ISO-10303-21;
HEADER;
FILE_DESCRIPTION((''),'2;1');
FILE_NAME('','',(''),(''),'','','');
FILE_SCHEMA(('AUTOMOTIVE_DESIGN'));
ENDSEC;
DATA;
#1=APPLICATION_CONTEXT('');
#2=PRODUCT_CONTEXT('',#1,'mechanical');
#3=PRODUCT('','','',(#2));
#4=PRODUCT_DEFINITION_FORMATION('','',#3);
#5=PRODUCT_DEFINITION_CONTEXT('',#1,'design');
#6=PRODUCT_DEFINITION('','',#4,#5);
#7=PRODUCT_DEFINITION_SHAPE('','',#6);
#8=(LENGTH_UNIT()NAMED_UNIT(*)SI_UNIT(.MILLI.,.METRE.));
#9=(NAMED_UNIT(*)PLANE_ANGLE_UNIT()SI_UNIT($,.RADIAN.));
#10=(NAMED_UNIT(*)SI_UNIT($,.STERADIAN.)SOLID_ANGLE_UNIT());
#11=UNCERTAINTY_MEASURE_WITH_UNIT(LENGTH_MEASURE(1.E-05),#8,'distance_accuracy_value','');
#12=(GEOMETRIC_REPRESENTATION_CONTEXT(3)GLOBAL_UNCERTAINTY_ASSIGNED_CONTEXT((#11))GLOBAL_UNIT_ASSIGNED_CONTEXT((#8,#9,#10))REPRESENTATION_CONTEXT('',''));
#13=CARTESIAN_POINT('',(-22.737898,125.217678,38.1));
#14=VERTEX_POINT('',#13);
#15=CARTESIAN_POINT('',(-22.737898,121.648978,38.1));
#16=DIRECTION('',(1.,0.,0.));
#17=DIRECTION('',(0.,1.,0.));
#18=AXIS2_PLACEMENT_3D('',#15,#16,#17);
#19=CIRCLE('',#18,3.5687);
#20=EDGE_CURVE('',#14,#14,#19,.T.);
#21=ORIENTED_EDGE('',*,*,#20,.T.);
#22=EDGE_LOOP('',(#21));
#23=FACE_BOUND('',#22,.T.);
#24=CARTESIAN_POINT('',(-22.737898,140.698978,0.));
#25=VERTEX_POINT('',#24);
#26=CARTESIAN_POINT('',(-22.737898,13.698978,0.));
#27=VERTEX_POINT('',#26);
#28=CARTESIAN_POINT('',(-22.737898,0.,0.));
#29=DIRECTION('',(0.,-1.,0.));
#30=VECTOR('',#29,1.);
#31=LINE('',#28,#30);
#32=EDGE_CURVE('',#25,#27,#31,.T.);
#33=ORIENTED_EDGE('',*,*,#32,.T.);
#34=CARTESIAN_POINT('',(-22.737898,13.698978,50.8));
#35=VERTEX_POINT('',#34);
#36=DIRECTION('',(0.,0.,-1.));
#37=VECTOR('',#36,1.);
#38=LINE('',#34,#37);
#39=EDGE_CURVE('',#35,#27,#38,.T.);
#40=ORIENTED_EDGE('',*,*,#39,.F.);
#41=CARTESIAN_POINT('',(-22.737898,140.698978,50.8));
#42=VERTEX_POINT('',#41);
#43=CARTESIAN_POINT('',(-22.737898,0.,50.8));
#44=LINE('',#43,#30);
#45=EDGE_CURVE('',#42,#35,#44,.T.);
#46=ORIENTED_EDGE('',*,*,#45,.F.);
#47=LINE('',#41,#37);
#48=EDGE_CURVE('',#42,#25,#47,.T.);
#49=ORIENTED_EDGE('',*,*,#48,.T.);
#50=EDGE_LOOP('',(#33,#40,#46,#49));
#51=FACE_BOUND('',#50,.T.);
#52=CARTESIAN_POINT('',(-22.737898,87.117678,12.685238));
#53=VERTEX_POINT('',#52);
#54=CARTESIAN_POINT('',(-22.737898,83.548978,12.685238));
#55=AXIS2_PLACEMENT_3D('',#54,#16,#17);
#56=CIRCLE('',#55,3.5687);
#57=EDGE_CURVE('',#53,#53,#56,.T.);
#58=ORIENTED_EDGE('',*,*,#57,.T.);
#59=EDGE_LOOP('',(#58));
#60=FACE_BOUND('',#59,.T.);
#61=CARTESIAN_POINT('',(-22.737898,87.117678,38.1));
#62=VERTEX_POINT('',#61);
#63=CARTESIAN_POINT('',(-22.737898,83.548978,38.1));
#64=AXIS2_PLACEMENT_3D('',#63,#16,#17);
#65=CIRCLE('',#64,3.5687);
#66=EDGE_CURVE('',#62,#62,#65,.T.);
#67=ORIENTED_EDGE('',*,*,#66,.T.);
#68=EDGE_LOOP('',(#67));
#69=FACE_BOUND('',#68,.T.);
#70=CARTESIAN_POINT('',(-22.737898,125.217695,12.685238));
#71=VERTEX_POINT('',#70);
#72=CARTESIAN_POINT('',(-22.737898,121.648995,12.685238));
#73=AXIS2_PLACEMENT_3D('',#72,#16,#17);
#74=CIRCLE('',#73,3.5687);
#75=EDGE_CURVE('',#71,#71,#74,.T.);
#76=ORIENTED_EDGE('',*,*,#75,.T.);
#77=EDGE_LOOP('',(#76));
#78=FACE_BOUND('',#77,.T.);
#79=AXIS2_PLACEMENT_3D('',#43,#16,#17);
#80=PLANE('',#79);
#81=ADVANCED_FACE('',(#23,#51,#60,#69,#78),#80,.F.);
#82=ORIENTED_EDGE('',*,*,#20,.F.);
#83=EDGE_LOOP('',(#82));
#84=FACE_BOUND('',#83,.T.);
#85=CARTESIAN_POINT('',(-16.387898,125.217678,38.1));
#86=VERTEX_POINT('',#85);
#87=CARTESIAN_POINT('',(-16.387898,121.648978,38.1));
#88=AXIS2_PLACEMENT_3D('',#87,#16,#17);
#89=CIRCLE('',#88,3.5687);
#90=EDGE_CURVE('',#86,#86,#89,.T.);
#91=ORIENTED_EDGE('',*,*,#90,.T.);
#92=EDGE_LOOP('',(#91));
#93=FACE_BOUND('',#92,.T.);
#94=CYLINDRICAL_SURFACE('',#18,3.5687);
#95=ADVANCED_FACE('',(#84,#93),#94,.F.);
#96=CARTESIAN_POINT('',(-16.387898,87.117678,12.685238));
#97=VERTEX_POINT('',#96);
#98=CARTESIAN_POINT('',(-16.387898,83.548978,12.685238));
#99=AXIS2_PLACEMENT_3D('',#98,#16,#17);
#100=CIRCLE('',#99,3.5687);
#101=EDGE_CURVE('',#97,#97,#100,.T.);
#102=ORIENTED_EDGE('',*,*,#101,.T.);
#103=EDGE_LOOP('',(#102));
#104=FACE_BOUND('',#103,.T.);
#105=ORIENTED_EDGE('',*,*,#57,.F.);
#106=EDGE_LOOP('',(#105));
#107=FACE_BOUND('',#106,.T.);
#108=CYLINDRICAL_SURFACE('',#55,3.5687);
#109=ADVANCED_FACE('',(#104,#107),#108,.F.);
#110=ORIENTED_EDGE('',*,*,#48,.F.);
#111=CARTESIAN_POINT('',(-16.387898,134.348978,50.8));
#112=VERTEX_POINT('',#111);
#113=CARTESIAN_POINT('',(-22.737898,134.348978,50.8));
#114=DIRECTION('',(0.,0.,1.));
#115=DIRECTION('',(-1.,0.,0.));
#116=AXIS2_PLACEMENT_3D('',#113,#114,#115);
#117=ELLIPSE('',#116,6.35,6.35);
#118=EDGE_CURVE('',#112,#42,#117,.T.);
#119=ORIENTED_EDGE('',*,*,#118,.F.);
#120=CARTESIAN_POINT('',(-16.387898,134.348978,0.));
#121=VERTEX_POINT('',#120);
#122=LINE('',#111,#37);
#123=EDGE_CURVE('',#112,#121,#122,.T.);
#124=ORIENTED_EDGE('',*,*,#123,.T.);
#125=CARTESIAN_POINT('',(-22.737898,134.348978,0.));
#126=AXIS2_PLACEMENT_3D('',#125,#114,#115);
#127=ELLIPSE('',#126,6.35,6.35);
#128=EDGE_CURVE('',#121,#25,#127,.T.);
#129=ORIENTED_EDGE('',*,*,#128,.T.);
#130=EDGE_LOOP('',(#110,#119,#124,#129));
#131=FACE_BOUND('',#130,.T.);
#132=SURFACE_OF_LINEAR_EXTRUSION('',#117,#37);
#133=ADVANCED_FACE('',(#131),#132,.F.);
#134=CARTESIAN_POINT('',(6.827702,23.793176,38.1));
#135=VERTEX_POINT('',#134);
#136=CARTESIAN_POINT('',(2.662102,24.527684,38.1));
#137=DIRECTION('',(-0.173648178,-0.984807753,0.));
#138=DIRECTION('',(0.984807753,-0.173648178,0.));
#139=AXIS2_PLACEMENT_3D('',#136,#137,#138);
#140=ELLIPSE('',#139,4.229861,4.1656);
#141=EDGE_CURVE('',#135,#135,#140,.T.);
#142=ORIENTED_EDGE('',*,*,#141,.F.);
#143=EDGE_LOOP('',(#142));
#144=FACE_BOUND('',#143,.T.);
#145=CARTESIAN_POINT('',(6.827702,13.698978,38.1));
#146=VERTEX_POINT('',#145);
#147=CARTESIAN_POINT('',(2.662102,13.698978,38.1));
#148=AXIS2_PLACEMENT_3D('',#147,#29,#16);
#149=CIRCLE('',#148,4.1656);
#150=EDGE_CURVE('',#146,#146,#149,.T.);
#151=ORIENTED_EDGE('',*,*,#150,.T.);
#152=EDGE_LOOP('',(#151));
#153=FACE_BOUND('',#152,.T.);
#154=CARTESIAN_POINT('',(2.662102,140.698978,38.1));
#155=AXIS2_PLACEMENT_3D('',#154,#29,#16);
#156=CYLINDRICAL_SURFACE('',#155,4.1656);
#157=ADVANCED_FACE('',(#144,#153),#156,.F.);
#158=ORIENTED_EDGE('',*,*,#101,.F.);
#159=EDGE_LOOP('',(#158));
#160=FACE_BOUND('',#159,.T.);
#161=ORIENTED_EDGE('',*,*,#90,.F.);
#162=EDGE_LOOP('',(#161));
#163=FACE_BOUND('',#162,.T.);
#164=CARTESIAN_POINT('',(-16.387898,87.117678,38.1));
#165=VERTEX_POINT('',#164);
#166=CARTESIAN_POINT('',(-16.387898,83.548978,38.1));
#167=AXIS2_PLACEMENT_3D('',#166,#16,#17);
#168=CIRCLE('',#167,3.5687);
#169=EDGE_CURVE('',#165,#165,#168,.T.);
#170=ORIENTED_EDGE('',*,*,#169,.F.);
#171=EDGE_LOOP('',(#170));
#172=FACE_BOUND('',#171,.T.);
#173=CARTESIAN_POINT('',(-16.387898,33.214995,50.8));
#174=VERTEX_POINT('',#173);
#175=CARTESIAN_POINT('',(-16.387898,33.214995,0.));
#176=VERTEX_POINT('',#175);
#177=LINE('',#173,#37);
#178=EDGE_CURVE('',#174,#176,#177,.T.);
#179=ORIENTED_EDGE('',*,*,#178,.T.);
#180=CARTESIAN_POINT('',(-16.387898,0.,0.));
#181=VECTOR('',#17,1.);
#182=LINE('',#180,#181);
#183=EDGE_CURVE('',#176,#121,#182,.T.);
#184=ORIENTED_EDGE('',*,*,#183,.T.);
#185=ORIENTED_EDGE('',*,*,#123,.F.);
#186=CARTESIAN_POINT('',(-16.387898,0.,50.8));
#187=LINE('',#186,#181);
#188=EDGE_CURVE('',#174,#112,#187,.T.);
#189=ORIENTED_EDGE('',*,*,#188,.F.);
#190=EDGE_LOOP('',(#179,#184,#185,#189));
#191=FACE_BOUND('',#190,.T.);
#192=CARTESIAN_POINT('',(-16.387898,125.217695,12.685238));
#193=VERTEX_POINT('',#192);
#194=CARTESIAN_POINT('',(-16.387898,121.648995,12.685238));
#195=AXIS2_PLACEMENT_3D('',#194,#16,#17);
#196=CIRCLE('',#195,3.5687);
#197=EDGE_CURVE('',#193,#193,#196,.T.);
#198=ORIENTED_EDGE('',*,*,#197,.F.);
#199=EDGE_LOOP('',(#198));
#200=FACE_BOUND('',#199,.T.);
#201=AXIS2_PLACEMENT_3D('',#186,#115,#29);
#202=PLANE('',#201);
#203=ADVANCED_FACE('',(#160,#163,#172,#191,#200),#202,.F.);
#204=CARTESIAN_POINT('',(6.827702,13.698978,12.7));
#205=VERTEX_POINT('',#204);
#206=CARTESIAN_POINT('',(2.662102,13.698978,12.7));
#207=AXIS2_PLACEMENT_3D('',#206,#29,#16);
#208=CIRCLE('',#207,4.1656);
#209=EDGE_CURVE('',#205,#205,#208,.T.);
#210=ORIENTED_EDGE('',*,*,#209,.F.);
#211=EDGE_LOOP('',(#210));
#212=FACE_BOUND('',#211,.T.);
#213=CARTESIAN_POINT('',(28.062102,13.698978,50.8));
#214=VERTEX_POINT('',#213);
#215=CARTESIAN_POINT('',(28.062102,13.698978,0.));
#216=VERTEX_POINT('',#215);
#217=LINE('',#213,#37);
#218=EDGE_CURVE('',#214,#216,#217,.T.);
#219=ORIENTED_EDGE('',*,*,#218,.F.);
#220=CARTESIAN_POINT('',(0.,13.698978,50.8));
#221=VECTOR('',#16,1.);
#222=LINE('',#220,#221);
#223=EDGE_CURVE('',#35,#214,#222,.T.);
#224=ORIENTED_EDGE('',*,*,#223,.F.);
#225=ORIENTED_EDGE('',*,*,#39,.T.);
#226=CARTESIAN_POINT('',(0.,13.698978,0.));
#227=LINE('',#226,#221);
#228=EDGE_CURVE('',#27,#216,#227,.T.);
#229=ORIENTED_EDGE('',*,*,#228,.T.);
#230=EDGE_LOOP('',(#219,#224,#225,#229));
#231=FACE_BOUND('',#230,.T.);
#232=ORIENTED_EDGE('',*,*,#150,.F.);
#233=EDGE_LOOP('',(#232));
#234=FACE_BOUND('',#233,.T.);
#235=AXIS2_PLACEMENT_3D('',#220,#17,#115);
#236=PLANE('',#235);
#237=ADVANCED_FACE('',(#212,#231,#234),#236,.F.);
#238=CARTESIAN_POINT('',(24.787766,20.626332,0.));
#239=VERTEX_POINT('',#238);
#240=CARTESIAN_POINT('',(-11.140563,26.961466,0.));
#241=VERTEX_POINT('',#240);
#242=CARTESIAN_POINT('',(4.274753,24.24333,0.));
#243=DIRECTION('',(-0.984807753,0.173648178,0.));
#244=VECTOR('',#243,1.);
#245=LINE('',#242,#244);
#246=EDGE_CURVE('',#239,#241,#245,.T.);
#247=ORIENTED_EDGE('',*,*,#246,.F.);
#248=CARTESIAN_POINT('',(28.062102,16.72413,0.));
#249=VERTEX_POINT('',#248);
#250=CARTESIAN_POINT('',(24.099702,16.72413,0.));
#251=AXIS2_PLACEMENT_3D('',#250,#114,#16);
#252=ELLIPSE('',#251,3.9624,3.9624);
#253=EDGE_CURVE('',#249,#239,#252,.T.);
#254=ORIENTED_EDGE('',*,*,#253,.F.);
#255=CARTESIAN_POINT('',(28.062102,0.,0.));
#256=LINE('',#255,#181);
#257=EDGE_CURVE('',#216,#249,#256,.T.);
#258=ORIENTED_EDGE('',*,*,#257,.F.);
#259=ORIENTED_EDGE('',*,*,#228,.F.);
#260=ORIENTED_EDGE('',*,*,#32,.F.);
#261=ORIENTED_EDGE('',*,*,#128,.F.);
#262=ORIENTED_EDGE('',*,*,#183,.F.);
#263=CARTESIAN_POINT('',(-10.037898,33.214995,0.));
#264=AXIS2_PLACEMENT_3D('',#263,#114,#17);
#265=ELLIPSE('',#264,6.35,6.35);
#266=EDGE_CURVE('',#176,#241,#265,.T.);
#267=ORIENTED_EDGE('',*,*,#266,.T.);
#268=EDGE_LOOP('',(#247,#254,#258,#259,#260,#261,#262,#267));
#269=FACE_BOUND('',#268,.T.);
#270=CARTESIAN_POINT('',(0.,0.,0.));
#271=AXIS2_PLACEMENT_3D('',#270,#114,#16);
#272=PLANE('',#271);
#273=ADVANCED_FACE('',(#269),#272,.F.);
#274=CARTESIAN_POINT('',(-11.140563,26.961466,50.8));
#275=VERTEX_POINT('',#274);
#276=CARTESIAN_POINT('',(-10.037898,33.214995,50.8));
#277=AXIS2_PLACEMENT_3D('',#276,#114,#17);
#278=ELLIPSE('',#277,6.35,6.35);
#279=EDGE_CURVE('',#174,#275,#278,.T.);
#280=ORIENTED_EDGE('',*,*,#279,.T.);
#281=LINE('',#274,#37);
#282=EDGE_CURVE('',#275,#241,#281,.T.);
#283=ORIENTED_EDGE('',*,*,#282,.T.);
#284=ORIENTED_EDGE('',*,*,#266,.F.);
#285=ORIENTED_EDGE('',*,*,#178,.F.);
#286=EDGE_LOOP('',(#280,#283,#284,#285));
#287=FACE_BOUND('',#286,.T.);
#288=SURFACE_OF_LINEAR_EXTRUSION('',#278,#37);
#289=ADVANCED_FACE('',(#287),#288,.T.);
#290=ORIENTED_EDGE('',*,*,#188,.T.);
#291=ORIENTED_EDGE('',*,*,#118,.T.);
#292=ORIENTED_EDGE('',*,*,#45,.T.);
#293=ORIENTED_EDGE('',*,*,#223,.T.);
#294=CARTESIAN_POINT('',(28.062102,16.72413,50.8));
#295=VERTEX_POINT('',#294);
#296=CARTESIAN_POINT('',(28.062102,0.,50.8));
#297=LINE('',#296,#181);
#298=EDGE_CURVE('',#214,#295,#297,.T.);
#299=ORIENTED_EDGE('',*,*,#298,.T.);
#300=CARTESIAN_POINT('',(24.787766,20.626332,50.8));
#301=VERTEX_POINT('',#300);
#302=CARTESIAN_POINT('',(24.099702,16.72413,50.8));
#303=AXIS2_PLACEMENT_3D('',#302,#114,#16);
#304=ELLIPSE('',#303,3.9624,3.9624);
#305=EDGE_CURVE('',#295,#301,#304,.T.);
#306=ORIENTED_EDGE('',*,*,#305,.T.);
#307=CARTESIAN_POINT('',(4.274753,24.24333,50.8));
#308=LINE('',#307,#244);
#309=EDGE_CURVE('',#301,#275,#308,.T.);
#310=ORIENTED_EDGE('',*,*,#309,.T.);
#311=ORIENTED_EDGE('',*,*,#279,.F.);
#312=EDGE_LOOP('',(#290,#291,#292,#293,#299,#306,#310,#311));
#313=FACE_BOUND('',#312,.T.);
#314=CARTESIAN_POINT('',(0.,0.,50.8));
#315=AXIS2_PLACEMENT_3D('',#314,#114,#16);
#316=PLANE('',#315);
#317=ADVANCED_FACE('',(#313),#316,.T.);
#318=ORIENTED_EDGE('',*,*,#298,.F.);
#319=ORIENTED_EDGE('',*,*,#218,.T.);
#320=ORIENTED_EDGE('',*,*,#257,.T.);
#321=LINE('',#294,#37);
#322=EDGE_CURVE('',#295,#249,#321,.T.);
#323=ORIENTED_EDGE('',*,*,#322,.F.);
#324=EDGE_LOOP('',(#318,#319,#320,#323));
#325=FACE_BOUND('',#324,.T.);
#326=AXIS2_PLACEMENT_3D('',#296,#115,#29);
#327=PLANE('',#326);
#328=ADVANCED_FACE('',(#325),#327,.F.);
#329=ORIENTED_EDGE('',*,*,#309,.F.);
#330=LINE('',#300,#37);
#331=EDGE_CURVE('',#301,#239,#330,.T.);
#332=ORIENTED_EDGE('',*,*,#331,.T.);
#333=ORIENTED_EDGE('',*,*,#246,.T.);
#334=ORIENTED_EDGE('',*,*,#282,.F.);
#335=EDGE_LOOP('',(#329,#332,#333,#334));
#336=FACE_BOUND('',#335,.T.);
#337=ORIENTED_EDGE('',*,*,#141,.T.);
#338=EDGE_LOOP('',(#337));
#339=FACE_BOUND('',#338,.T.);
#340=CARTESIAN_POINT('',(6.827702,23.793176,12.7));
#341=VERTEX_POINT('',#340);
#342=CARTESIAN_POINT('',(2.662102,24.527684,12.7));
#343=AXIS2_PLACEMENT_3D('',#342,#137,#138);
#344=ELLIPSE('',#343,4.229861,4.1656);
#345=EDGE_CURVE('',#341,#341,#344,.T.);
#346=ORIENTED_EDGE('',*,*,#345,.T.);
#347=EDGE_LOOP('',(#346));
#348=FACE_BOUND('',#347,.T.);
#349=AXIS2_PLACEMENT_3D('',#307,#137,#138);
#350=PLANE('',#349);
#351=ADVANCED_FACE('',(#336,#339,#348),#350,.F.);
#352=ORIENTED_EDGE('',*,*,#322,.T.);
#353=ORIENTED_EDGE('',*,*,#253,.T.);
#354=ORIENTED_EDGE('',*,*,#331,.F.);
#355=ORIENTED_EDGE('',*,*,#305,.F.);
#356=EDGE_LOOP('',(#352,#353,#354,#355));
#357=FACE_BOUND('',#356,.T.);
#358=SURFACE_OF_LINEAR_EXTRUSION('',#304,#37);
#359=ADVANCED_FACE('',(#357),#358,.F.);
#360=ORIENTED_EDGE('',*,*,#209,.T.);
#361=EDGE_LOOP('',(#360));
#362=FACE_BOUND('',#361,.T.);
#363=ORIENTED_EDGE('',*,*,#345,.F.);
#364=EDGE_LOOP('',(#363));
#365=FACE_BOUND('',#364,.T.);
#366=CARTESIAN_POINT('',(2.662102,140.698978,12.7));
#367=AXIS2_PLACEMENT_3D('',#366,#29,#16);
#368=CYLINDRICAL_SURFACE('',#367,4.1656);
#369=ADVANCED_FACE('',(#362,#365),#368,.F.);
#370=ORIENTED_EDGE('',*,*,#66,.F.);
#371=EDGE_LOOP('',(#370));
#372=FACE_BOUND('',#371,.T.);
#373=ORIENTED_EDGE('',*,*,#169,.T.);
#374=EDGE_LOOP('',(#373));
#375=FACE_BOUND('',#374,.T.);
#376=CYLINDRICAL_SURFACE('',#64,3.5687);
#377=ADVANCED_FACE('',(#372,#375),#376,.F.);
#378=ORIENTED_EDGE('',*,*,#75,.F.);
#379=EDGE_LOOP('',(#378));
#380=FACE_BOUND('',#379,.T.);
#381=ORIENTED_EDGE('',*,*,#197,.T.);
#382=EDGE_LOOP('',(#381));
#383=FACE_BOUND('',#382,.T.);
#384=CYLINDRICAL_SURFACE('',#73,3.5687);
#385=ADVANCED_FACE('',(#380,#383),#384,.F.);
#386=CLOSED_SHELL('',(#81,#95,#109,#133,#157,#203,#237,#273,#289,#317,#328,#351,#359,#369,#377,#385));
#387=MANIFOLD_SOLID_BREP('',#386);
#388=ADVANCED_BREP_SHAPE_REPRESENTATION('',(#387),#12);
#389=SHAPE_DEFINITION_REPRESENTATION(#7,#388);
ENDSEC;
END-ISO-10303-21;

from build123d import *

# Parameters (mm, degrees)
EXTRUDE1_DEPTH     = 50.8
SKETCH2_R          = 3.5687
CUT_EXTRUDE1_DEPTH = 7.3500001
SKETCH3_R          = 4.1656
CUT_EXTRUDE2_DEPTH = 128.0000001


with BuildPart() as part:
    # Sketch1 → Extrude1 (new body)
    with BuildSketch(Plane.XY):
        with BuildLine():
            Line((24.787766027, 20.626332144), (6.630852488, 23.827885887))
            Line((6.630852488, 23.827885887), (-1.306647512, 25.227481296))
            Line((-1.306647512, 25.227481296), (-11.14056344, 26.961466))
            add(Edge.make_bspline(
                [(-16.387897512, 33.214995232), (-16.387897512, 27.886712574), (-11.14056344, 26.961466)],
                knots=[1.570796327, 1.570796327, 1.570796327, 2.967059728, 2.967059728, 2.967059728], degree=2, weights=[1, 0.766044443, 1]))
            Line((-16.387897512, 33.214995232), (-16.387897512, 79.980278282))
            Line((-16.387897512, 79.980278282), (-16.387897512, 87.117678282))
            Line((-16.387897512, 87.117678282), (-16.387897512, 118.080278282))
            Line((-16.387897512, 118.080278282), (-16.387897512, 125.217678282))
            Line((-16.387897512, 125.217678282), (-16.387897512, 134.348978282))
            add(Edge.make_bspline(
                [(-16.387897512, 134.348978282), (-16.387897512, 140.698978282), (-22.737897512, 140.698978282)],
                knots=[3.141592654, 3.141592654, 3.141592654, 4.71238898, 4.71238898, 4.71238898], degree=2, weights=[1, 0.707106781, 1]))
            Line((-22.737897512, 140.698978282), (-22.737897512, 125.217678282))
            Line((-22.737897512, 125.217678282), (-22.737897512, 118.080278282))
            Line((-22.737897512, 118.080278282), (-22.737897512, 87.117678282))
            Line((-22.737897512, 87.117678282), (-22.737897512, 79.980278282))
            Line((-22.737897512, 79.980278282), (-22.737897512, 13.698978282))
            Line((-22.737897512, 13.698978282), (-1.306647512, 13.698978282))
            Line((-1.306647512, 13.698978282), (6.630852488, 13.698978282))
            Line((6.630852488, 13.698978282), (28.062102488, 13.698978282))
            Line((28.062102488, 13.698978282), (28.062102488, 16.724129903))
            add(Edge.make_bspline(
                [(28.062102488, 16.724129903), (28.062102488, 20.048978282), (24.787766027, 20.626332144)],
                knots=[0, 0, 0, 1.396263402, 1.396263402, 1.396263402], degree=2, weights=[1, 0.766044443, 1]))
        make_face()
    extrude(amount=EXTRUDE1_DEPTH)

    # Sketch2 → Cut-Extrude1 (cut, through all)
    with BuildSketch(Plane(origin=(-16.387897512, 0, 0), x_dir=(0, 0, -1), z_dir=(1, 0, 0))):
        with Locations((-38.1, 121.648978282)):
            Circle(SKETCH2_R)
        with Locations((-38.1, 83.548978282)):
            Circle(SKETCH2_R)
        with Locations((-12.685238078, 83.548978282)):
            Circle(SKETCH2_R)
        with Locations((-12.685238078, 121.64899544)):
            Circle(SKETCH2_R)
    extrude(amount=-CUT_EXTRUDE1_DEPTH, mode=Mode.SUBTRACT)

    # Sketch3 → Cut-Extrude2 (cut, through all)
    with BuildSketch(Plane.XZ.offset(-13.698978282)):
        with Locations((2.662102488, 12.7)):
            Circle(SKETCH3_R)
        with Locations((2.662102488, 38.1)):
            Circle(SKETCH3_R)
    extrude(amount=-CUT_EXTRUDE2_DEPTH, mode=Mode.SUBTRACT)


solid = part.part
